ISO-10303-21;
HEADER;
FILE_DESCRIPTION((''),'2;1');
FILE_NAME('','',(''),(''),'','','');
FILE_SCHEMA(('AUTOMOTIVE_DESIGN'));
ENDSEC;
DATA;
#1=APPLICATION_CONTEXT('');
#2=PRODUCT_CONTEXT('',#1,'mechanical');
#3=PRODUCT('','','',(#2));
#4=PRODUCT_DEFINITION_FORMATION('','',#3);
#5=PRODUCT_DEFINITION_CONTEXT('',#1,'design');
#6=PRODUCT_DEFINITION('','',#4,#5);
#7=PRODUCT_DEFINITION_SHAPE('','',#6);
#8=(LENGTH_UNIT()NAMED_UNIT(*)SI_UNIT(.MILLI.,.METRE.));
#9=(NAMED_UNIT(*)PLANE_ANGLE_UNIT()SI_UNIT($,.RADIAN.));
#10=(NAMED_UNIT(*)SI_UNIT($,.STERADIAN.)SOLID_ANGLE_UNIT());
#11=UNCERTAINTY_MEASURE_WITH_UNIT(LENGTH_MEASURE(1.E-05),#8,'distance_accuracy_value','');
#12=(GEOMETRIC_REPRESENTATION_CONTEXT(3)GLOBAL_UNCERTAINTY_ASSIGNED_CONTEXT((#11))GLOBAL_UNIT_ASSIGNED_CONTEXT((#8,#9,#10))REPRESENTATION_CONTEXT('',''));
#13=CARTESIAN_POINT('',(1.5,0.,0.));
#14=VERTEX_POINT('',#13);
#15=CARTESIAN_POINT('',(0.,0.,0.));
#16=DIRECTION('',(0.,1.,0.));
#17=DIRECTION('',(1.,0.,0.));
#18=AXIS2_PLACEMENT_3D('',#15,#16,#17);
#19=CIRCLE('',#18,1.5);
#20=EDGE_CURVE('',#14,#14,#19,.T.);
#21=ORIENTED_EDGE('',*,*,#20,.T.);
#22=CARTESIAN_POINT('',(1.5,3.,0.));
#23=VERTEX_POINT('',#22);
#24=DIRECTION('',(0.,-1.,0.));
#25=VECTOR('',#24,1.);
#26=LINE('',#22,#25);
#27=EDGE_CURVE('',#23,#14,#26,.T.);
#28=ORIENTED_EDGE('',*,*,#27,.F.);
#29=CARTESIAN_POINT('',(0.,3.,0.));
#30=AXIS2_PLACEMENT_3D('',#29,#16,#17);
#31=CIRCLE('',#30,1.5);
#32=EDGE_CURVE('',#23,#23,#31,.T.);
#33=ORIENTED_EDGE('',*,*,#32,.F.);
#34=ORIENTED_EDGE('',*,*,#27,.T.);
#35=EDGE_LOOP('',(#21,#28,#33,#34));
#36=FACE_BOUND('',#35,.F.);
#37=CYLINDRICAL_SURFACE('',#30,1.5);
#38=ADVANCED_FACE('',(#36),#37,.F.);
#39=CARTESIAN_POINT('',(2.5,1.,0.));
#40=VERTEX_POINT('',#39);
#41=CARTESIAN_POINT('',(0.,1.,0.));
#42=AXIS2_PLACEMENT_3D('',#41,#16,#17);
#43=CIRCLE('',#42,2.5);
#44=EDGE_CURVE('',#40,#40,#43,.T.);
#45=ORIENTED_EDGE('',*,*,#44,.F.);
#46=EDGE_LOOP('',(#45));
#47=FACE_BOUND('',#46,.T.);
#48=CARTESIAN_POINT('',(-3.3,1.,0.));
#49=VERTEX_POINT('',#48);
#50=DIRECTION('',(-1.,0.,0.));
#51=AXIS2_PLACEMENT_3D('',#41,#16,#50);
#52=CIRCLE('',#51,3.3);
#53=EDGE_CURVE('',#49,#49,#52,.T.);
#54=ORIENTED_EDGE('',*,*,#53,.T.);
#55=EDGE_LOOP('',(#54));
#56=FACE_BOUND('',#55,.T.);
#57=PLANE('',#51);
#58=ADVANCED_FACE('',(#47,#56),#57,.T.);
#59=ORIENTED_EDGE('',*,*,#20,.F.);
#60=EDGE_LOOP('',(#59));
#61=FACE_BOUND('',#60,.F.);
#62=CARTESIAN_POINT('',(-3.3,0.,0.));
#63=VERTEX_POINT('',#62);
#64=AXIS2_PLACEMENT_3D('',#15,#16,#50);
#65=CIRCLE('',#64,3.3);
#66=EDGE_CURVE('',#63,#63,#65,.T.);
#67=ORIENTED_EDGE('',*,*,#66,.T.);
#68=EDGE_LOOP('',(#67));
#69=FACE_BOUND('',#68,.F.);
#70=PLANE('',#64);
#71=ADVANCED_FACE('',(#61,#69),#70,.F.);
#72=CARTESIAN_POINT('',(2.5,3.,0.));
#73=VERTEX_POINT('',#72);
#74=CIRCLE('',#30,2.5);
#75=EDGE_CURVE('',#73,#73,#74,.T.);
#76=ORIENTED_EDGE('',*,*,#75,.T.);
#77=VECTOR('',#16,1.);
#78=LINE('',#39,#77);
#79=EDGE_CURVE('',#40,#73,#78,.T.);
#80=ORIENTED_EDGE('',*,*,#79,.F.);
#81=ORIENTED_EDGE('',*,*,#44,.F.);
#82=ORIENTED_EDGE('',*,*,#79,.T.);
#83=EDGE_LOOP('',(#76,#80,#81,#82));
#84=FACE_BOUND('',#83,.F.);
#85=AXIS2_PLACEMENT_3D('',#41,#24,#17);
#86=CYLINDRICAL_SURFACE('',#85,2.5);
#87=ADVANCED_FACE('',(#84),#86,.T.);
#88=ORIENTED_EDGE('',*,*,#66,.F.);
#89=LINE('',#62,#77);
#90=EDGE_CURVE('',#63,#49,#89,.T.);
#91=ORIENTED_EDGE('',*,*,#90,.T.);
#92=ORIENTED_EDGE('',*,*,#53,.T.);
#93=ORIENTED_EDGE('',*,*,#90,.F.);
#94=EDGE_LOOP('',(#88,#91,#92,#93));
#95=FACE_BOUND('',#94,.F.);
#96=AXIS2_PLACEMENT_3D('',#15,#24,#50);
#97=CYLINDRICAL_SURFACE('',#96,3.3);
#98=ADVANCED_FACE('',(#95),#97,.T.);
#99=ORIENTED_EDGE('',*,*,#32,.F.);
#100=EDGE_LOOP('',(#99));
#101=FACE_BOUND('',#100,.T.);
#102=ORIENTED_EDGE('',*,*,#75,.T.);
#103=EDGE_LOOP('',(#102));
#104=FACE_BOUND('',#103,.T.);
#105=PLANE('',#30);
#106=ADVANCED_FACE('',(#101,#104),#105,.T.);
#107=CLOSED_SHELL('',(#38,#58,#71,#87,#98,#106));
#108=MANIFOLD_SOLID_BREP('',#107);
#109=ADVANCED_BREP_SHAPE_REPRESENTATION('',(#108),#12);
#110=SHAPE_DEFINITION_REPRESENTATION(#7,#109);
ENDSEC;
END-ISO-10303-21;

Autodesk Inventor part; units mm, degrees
ref_plane "YZ Plane" through (0, 0, 0) normal (1, 0, 0) x (0, 1, 0)
ref_plane "XZ Plane" through (0, 0, 0) normal (0, 1, 0) x (-1, 0, 0)
ref_plane "XY Plane" through (0, 0, 0) normal (0, 0, 1) x (1, 0, 0)
sketch "Sketch1" plane through (0, 0, 0) normal (0, 1, 0) x (-1, 0, 0)
  circle A0 centre (0, 0) radius 3.3
  dimension "d0" = 6.6
extrude "Extrusion1" add sketch "Sketch1" along normal blind 1
sketch "Sketch2" plane through (0, 1, 0) normal (0, 1, 0) x (1, 0, 0)
  point P0 (0, 0)
sketch "Sketch3" plane through (0, 1, 0) normal (0, 1, 0) x (1, 0, 0)
  circle A0 centre (0, 0) radius 2.5
  dimension "d3" = 5
extrude "Extrusion2" add sketch "Sketch3" along normal blind 2
sketch "Sketch4" plane through (0, 3, 0) normal (0, 1, 0) x (1, 0, 0)
  circle A0 centre (0, 0) radius 1.5
  dimension "d6" = 3
extrude "Extrusion3" cut sketch "Sketch4" against normal blind 3
thread "Thread1" size "M3x0.5" class "6H" standard "ANSI Metric M Profile" full length
properties part number "HAND_persely"
